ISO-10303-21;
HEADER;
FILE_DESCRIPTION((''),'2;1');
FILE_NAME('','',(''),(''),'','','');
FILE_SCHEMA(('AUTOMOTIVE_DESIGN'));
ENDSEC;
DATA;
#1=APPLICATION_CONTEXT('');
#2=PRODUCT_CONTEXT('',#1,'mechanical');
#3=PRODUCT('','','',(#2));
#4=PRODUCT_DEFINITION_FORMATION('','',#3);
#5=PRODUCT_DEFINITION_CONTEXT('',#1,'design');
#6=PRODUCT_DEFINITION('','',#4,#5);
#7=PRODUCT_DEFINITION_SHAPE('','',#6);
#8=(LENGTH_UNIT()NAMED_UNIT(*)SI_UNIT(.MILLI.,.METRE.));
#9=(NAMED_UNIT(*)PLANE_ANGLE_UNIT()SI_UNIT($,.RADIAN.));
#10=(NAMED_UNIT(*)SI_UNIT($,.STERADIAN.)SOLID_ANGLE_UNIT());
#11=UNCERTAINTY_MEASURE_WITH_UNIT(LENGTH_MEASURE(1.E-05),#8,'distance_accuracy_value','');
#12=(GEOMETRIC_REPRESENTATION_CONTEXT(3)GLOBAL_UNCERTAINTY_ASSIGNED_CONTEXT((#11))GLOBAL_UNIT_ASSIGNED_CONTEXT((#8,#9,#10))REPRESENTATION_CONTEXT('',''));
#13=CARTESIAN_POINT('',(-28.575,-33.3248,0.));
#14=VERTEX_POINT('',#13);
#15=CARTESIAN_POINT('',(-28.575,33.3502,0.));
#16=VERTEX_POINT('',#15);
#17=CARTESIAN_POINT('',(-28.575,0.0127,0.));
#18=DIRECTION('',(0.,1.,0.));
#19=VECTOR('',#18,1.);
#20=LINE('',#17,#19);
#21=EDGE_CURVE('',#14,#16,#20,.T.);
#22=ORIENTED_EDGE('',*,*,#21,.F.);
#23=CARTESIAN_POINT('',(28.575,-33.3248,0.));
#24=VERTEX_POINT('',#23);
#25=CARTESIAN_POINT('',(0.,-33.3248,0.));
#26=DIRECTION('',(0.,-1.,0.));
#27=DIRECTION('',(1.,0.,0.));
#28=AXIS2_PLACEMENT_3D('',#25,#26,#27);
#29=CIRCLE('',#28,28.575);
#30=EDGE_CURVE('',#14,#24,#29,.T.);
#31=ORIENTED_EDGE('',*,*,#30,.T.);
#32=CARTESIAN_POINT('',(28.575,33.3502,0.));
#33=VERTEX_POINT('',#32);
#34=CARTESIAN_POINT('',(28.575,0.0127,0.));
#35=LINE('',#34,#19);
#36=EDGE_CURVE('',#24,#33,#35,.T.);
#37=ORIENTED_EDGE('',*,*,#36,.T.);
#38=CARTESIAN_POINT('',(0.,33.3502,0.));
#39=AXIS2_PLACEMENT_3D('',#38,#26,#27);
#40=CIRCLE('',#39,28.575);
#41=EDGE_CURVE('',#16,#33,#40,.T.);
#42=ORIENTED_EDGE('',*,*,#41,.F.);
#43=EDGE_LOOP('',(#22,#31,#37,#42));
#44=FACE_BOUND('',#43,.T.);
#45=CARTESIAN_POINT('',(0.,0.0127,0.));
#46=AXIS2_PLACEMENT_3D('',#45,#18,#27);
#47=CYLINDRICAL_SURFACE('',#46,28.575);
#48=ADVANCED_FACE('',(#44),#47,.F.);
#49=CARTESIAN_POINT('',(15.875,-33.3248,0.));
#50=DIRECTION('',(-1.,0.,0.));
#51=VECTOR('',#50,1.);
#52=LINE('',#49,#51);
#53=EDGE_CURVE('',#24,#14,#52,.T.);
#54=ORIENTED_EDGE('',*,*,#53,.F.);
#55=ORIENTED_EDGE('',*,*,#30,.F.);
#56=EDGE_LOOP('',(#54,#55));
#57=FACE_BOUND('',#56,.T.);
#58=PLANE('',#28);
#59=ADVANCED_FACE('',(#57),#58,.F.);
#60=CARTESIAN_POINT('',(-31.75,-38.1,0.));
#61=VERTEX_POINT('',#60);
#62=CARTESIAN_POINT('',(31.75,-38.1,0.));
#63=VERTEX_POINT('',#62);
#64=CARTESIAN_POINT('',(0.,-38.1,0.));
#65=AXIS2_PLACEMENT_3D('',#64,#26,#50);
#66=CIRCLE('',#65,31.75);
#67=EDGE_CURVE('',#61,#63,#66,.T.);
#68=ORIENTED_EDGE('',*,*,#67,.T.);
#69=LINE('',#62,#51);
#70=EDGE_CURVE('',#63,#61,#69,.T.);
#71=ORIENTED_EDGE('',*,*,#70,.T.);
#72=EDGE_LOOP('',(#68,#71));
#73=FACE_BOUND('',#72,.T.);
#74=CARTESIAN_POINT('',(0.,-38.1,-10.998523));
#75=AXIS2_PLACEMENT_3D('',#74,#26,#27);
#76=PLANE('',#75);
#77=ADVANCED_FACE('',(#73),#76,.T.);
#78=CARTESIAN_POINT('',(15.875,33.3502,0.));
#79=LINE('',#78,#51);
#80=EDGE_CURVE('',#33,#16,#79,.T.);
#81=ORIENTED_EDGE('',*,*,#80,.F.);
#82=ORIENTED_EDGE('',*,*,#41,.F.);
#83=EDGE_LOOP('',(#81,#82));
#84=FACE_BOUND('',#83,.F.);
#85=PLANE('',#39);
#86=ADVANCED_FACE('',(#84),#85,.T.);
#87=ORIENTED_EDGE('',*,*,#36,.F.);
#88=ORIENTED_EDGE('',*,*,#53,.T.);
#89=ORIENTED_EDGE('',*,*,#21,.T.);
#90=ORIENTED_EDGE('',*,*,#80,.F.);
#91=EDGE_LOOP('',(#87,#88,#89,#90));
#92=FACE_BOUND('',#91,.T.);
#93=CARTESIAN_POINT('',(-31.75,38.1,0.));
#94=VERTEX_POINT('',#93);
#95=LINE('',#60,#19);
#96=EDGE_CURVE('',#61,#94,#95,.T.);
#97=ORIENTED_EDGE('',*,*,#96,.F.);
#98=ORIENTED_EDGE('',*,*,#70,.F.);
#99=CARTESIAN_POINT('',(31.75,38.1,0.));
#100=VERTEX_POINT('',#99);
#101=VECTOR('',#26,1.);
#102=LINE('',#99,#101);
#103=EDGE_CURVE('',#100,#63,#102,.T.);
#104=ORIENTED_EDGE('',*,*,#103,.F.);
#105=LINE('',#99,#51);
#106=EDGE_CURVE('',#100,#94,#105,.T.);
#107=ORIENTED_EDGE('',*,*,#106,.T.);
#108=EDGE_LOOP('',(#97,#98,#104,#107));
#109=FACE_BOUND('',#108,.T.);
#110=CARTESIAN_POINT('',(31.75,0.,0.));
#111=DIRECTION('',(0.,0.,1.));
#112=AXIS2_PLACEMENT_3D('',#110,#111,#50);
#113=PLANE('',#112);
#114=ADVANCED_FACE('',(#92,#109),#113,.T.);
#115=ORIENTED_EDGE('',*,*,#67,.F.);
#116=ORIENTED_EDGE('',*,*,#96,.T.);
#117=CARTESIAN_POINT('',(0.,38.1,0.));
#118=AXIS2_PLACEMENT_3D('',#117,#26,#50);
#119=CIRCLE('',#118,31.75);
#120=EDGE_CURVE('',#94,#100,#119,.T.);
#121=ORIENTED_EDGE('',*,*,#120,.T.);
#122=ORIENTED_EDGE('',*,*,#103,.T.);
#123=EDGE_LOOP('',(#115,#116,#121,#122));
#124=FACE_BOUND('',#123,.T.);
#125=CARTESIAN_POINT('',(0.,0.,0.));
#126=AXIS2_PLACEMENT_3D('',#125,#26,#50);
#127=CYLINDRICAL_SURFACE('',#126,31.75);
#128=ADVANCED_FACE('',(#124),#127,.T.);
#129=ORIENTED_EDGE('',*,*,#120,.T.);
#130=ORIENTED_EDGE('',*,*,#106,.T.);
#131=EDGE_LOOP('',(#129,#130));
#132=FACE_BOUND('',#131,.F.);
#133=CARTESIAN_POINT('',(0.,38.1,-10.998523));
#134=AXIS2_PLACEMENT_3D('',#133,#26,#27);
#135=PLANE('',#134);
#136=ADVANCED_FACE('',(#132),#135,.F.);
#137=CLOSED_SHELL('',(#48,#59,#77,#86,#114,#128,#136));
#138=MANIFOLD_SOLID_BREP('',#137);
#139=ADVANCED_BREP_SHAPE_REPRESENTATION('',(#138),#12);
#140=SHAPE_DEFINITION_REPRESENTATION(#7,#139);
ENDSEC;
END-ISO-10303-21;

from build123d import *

# Parameters (mm, degrees)
F1_DEPTH = 38.1
F2_W     = 28.575
F2_H     = 66.675


with BuildPart() as f1:
    # F0 (on Front) → F1 (new body, symmetric)
    with BuildSketch(Plane.XZ):
        with BuildLine():
            Line((0, 0), (-31.75, 0))
            ThreePointArc((-31.75, 0), (0, -31.75), (31.75, 0))
            Line((31.75, 0), (0, 0))
        make_face()
    extrude(amount=F1_DEPTH, both=True)

    # F2 (on face) → F3 (revolve, cut)
    with BuildSketch(Plane.XY):
        with Locations((14.2875, 0.0127)):
            Rectangle(F2_W, F2_H)
    revolve(axis=Axis((0, -46.708016, 0), (0, -1, 0)), mode=Mode.SUBTRACT)


solid = f1.part
